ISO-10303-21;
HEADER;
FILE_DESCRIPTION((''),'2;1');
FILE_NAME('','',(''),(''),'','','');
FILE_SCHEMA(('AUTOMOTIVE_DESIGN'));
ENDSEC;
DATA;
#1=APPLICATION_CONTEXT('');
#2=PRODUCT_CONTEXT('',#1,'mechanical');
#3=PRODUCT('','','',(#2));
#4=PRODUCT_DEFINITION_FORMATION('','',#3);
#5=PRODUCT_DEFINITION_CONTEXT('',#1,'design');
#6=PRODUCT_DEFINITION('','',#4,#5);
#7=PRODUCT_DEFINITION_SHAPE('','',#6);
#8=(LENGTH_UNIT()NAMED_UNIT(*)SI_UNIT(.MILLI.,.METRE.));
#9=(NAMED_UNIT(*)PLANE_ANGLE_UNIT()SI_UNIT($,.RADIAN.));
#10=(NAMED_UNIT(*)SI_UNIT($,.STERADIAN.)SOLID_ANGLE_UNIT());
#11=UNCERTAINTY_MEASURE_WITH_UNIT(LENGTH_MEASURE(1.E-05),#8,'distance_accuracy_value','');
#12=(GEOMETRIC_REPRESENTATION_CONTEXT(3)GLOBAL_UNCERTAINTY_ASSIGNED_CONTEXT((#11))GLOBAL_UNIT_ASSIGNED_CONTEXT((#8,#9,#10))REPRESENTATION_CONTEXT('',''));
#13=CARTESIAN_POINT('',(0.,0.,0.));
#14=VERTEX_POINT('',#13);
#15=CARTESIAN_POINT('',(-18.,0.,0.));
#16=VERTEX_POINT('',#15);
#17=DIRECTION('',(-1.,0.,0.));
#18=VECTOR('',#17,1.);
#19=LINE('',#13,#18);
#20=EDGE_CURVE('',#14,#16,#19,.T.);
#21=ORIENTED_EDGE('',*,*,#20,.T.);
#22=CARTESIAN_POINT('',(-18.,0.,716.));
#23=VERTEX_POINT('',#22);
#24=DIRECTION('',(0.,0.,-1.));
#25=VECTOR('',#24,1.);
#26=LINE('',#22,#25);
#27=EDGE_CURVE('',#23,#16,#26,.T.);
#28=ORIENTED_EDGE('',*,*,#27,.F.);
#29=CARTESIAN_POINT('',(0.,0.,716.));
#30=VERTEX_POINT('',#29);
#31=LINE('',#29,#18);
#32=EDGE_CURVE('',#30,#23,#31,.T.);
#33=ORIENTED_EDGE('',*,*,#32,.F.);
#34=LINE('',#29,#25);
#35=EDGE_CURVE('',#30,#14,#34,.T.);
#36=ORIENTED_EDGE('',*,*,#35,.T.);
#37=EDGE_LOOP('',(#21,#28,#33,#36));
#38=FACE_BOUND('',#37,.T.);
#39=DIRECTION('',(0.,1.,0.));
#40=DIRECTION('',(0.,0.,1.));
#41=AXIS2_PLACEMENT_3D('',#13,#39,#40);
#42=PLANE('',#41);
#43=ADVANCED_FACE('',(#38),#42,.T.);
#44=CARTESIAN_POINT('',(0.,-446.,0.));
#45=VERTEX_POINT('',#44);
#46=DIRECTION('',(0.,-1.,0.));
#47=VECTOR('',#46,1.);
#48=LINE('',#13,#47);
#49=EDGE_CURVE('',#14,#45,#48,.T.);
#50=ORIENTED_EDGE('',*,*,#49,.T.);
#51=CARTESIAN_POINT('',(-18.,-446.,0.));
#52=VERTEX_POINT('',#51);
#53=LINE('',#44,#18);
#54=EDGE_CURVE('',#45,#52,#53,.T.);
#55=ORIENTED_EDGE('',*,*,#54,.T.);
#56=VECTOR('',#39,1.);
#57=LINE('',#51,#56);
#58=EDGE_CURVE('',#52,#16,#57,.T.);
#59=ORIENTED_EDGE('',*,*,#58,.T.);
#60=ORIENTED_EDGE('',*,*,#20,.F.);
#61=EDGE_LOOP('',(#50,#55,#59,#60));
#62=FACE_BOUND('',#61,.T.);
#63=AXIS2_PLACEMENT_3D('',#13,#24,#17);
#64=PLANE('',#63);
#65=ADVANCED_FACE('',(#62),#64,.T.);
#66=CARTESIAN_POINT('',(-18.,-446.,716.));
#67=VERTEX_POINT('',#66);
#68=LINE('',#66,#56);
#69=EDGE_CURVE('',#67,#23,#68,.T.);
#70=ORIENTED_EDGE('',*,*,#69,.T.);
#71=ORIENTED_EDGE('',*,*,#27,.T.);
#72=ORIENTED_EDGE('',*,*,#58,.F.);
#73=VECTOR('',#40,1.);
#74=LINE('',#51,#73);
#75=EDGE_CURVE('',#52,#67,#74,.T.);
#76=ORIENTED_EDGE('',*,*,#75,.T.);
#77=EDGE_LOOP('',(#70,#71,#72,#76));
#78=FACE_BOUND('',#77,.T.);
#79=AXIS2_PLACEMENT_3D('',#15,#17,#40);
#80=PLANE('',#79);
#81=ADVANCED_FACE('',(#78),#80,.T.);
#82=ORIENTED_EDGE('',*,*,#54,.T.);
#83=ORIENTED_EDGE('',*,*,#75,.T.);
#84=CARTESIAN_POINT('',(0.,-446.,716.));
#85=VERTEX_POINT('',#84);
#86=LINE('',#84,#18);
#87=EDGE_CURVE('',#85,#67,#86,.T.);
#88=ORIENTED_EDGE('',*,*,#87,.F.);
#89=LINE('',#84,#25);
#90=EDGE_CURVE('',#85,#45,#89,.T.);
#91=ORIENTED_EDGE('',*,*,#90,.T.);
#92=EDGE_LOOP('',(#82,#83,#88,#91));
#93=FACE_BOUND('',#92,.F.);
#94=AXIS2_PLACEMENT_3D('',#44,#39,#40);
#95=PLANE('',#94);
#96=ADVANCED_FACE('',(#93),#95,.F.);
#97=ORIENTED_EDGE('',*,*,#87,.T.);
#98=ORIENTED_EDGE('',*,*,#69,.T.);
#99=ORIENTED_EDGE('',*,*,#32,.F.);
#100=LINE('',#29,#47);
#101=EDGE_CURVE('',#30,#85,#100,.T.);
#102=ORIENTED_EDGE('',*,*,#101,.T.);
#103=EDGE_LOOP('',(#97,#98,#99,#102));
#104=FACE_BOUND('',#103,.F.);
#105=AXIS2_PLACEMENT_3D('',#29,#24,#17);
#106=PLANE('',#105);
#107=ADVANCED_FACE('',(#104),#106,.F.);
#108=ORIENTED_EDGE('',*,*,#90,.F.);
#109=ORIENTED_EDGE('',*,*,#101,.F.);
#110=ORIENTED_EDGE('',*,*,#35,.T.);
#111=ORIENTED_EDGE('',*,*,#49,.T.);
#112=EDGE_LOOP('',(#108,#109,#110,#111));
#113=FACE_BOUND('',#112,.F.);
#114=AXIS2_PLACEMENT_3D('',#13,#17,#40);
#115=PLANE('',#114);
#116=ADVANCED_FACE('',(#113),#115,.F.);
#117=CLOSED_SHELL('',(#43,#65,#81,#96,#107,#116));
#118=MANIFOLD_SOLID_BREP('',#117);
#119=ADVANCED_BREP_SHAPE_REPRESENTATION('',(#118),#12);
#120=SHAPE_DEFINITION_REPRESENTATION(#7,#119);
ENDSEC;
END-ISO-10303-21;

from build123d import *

# Parameters (mm, degrees)
F0_W     = 47.0984280109
F0_H     = 38.5305583477
F1_DEPTH = 18
F2_DEPTH = 446
F3_DEPTH = 716


with BuildPart() as f1:
    # F0 (on Right) → F1 (new body)
    with BuildSketch(Plane.YZ):
        with Locations((-23.5492140055, 19.2652791739)):
            Rectangle(F0_W, F0_H)
    extrude(amount=-F1_DEPTH)

    # F2 (add): a face of the model
    f2_faces = [f1.faces().sort_by_distance(p)[0] for p in [
        (-9, 0, 19.2652791739),
    ]]
    extrude(f2_faces, amount=-F2_DEPTH)

    # F3 (add): a face of the model
    f3_faces = [f1.faces().sort_by_distance(p)[0] for p in [
        (-9, -223, 0),
    ]]
    extrude(f3_faces, amount=-F3_DEPTH)


solid = f1.part
